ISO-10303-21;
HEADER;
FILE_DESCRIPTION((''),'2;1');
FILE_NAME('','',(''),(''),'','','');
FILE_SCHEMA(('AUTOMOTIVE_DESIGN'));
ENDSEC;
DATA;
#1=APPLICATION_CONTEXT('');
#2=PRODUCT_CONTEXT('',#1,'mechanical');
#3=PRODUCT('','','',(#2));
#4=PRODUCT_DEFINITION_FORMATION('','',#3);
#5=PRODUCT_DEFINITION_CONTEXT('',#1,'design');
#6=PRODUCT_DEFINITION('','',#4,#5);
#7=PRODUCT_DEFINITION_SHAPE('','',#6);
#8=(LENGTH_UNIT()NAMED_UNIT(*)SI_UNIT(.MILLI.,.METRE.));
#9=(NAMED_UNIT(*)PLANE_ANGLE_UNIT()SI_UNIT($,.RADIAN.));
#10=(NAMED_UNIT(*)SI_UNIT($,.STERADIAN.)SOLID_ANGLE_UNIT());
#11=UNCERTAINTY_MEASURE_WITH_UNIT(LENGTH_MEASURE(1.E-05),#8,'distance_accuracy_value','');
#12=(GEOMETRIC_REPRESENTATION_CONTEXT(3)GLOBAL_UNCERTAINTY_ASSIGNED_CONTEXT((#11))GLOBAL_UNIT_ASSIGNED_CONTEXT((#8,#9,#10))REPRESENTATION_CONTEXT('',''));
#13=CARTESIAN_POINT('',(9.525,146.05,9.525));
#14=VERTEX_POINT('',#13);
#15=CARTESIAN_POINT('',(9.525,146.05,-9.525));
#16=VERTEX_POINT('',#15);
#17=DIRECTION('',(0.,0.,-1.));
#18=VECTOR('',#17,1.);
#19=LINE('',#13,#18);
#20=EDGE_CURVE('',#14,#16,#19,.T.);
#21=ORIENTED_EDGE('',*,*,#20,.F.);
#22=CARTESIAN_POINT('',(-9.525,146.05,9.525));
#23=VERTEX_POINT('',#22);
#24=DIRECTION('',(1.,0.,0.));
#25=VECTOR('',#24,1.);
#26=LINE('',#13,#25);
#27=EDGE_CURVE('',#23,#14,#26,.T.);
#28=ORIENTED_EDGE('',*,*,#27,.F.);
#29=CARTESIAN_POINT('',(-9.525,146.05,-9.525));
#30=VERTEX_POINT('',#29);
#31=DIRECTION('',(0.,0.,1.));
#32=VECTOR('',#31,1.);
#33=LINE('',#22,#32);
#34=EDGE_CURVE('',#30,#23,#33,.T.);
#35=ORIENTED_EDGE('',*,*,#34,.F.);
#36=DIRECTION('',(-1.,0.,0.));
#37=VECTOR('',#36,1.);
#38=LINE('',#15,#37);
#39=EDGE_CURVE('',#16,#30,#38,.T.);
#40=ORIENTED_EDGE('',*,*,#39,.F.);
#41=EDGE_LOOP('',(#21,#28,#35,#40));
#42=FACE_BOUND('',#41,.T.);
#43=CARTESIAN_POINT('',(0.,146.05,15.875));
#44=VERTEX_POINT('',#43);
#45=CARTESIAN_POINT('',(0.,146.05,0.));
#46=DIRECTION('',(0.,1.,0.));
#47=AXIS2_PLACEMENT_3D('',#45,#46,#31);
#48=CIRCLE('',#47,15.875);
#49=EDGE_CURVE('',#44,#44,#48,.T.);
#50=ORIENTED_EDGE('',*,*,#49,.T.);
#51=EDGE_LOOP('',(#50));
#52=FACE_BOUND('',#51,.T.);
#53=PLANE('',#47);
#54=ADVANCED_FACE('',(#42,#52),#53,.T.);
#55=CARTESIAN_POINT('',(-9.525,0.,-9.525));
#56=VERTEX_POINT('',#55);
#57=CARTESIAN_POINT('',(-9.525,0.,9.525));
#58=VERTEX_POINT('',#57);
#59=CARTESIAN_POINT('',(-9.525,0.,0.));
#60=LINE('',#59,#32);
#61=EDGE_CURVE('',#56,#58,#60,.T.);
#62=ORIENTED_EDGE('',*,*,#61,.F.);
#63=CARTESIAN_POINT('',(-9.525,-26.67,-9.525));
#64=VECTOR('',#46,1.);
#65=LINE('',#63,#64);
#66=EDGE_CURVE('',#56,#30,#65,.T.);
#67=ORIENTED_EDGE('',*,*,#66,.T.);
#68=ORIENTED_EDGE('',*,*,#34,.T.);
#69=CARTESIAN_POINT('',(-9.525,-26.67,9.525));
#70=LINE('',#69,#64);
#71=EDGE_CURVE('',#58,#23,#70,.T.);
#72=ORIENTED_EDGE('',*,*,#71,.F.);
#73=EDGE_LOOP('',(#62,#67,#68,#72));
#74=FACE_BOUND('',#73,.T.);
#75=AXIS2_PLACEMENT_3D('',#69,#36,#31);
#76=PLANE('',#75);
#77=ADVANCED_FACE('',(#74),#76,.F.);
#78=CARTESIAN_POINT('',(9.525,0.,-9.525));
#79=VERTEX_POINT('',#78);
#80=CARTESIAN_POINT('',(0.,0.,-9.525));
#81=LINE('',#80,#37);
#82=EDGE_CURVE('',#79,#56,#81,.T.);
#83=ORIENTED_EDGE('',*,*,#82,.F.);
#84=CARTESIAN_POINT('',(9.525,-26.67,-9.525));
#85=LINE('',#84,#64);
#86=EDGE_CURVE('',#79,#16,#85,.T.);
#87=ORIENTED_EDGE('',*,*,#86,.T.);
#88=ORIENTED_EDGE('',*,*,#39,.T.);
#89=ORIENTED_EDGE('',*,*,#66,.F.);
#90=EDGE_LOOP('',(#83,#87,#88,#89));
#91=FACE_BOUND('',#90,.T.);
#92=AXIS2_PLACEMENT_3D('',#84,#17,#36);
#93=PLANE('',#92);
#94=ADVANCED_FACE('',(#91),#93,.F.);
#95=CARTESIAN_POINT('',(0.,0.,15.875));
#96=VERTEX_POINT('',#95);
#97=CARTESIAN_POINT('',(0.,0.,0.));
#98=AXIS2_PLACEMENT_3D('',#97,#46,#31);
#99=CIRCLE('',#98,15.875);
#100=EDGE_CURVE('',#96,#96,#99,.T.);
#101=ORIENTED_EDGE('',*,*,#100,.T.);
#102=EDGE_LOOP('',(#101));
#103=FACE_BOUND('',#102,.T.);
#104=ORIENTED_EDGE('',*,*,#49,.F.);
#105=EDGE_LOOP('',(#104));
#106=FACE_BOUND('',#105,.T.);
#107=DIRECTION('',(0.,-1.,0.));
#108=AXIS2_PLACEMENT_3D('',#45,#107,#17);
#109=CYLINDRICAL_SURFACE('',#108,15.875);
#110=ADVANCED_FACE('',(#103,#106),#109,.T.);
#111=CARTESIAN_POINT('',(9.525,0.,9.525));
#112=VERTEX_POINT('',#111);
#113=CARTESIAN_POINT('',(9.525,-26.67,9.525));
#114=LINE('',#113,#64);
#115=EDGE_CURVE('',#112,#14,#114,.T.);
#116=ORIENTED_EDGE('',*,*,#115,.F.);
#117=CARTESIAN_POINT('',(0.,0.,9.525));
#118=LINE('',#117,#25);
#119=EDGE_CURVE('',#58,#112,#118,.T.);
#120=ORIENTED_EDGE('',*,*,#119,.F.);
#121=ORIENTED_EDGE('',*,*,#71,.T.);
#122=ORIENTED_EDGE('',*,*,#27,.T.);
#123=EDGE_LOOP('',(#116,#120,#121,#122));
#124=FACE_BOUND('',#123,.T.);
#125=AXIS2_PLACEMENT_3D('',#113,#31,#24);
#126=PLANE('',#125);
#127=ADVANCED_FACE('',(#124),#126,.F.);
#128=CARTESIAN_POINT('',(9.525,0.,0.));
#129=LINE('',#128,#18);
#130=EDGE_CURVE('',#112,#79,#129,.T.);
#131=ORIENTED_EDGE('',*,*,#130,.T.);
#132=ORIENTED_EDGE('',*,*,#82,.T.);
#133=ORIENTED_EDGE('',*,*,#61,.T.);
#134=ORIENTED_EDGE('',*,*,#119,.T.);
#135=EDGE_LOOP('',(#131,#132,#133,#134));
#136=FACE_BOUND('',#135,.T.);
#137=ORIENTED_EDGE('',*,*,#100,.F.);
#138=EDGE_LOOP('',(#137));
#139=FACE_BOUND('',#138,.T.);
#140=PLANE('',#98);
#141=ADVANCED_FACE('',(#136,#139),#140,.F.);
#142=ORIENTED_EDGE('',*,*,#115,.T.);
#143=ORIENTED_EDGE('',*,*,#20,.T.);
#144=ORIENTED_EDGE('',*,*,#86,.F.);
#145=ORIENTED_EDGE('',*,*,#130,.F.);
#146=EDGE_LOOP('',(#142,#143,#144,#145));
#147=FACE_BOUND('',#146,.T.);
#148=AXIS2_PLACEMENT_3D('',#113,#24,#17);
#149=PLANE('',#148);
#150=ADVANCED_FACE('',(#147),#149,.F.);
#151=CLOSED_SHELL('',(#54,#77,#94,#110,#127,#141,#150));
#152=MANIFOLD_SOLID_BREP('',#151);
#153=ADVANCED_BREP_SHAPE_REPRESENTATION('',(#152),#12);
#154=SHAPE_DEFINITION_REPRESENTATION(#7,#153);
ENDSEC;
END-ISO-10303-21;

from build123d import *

# Parameters (mm, degrees)
SKETCH1_R           = 15.875
BOSS_EXTRUDE1_DEPTH = 146.05
SKETCH2_W           = 19.05
SKETCH2_H           = 19.05
CUT_EXTRUDE1_DEPTH  = 172.72


with BuildPart() as part:
    # Sketch1 → Boss-Extrude1 (new body)
    with BuildSketch(Plane(origin=(0, 0, 0), x_dir=(1, 0, 0), z_dir=(0, 1, 0))):
        with Locations(Location((0, 0, 0), (0, 0, 270))):
            Circle(SKETCH1_R)
    extrude(amount=BOSS_EXTRUDE1_DEPTH)

    # Sketch2 → Cut-Extrude1 (cut)
    with BuildSketch(Plane(origin=(0, 146.05, 0), x_dir=(1, 0, 0), z_dir=(0, 1, 0))):
        Rectangle(SKETCH2_W, SKETCH2_H)
    extrude(amount=-CUT_EXTRUDE1_DEPTH, mode=Mode.SUBTRACT)


solid = part.part
